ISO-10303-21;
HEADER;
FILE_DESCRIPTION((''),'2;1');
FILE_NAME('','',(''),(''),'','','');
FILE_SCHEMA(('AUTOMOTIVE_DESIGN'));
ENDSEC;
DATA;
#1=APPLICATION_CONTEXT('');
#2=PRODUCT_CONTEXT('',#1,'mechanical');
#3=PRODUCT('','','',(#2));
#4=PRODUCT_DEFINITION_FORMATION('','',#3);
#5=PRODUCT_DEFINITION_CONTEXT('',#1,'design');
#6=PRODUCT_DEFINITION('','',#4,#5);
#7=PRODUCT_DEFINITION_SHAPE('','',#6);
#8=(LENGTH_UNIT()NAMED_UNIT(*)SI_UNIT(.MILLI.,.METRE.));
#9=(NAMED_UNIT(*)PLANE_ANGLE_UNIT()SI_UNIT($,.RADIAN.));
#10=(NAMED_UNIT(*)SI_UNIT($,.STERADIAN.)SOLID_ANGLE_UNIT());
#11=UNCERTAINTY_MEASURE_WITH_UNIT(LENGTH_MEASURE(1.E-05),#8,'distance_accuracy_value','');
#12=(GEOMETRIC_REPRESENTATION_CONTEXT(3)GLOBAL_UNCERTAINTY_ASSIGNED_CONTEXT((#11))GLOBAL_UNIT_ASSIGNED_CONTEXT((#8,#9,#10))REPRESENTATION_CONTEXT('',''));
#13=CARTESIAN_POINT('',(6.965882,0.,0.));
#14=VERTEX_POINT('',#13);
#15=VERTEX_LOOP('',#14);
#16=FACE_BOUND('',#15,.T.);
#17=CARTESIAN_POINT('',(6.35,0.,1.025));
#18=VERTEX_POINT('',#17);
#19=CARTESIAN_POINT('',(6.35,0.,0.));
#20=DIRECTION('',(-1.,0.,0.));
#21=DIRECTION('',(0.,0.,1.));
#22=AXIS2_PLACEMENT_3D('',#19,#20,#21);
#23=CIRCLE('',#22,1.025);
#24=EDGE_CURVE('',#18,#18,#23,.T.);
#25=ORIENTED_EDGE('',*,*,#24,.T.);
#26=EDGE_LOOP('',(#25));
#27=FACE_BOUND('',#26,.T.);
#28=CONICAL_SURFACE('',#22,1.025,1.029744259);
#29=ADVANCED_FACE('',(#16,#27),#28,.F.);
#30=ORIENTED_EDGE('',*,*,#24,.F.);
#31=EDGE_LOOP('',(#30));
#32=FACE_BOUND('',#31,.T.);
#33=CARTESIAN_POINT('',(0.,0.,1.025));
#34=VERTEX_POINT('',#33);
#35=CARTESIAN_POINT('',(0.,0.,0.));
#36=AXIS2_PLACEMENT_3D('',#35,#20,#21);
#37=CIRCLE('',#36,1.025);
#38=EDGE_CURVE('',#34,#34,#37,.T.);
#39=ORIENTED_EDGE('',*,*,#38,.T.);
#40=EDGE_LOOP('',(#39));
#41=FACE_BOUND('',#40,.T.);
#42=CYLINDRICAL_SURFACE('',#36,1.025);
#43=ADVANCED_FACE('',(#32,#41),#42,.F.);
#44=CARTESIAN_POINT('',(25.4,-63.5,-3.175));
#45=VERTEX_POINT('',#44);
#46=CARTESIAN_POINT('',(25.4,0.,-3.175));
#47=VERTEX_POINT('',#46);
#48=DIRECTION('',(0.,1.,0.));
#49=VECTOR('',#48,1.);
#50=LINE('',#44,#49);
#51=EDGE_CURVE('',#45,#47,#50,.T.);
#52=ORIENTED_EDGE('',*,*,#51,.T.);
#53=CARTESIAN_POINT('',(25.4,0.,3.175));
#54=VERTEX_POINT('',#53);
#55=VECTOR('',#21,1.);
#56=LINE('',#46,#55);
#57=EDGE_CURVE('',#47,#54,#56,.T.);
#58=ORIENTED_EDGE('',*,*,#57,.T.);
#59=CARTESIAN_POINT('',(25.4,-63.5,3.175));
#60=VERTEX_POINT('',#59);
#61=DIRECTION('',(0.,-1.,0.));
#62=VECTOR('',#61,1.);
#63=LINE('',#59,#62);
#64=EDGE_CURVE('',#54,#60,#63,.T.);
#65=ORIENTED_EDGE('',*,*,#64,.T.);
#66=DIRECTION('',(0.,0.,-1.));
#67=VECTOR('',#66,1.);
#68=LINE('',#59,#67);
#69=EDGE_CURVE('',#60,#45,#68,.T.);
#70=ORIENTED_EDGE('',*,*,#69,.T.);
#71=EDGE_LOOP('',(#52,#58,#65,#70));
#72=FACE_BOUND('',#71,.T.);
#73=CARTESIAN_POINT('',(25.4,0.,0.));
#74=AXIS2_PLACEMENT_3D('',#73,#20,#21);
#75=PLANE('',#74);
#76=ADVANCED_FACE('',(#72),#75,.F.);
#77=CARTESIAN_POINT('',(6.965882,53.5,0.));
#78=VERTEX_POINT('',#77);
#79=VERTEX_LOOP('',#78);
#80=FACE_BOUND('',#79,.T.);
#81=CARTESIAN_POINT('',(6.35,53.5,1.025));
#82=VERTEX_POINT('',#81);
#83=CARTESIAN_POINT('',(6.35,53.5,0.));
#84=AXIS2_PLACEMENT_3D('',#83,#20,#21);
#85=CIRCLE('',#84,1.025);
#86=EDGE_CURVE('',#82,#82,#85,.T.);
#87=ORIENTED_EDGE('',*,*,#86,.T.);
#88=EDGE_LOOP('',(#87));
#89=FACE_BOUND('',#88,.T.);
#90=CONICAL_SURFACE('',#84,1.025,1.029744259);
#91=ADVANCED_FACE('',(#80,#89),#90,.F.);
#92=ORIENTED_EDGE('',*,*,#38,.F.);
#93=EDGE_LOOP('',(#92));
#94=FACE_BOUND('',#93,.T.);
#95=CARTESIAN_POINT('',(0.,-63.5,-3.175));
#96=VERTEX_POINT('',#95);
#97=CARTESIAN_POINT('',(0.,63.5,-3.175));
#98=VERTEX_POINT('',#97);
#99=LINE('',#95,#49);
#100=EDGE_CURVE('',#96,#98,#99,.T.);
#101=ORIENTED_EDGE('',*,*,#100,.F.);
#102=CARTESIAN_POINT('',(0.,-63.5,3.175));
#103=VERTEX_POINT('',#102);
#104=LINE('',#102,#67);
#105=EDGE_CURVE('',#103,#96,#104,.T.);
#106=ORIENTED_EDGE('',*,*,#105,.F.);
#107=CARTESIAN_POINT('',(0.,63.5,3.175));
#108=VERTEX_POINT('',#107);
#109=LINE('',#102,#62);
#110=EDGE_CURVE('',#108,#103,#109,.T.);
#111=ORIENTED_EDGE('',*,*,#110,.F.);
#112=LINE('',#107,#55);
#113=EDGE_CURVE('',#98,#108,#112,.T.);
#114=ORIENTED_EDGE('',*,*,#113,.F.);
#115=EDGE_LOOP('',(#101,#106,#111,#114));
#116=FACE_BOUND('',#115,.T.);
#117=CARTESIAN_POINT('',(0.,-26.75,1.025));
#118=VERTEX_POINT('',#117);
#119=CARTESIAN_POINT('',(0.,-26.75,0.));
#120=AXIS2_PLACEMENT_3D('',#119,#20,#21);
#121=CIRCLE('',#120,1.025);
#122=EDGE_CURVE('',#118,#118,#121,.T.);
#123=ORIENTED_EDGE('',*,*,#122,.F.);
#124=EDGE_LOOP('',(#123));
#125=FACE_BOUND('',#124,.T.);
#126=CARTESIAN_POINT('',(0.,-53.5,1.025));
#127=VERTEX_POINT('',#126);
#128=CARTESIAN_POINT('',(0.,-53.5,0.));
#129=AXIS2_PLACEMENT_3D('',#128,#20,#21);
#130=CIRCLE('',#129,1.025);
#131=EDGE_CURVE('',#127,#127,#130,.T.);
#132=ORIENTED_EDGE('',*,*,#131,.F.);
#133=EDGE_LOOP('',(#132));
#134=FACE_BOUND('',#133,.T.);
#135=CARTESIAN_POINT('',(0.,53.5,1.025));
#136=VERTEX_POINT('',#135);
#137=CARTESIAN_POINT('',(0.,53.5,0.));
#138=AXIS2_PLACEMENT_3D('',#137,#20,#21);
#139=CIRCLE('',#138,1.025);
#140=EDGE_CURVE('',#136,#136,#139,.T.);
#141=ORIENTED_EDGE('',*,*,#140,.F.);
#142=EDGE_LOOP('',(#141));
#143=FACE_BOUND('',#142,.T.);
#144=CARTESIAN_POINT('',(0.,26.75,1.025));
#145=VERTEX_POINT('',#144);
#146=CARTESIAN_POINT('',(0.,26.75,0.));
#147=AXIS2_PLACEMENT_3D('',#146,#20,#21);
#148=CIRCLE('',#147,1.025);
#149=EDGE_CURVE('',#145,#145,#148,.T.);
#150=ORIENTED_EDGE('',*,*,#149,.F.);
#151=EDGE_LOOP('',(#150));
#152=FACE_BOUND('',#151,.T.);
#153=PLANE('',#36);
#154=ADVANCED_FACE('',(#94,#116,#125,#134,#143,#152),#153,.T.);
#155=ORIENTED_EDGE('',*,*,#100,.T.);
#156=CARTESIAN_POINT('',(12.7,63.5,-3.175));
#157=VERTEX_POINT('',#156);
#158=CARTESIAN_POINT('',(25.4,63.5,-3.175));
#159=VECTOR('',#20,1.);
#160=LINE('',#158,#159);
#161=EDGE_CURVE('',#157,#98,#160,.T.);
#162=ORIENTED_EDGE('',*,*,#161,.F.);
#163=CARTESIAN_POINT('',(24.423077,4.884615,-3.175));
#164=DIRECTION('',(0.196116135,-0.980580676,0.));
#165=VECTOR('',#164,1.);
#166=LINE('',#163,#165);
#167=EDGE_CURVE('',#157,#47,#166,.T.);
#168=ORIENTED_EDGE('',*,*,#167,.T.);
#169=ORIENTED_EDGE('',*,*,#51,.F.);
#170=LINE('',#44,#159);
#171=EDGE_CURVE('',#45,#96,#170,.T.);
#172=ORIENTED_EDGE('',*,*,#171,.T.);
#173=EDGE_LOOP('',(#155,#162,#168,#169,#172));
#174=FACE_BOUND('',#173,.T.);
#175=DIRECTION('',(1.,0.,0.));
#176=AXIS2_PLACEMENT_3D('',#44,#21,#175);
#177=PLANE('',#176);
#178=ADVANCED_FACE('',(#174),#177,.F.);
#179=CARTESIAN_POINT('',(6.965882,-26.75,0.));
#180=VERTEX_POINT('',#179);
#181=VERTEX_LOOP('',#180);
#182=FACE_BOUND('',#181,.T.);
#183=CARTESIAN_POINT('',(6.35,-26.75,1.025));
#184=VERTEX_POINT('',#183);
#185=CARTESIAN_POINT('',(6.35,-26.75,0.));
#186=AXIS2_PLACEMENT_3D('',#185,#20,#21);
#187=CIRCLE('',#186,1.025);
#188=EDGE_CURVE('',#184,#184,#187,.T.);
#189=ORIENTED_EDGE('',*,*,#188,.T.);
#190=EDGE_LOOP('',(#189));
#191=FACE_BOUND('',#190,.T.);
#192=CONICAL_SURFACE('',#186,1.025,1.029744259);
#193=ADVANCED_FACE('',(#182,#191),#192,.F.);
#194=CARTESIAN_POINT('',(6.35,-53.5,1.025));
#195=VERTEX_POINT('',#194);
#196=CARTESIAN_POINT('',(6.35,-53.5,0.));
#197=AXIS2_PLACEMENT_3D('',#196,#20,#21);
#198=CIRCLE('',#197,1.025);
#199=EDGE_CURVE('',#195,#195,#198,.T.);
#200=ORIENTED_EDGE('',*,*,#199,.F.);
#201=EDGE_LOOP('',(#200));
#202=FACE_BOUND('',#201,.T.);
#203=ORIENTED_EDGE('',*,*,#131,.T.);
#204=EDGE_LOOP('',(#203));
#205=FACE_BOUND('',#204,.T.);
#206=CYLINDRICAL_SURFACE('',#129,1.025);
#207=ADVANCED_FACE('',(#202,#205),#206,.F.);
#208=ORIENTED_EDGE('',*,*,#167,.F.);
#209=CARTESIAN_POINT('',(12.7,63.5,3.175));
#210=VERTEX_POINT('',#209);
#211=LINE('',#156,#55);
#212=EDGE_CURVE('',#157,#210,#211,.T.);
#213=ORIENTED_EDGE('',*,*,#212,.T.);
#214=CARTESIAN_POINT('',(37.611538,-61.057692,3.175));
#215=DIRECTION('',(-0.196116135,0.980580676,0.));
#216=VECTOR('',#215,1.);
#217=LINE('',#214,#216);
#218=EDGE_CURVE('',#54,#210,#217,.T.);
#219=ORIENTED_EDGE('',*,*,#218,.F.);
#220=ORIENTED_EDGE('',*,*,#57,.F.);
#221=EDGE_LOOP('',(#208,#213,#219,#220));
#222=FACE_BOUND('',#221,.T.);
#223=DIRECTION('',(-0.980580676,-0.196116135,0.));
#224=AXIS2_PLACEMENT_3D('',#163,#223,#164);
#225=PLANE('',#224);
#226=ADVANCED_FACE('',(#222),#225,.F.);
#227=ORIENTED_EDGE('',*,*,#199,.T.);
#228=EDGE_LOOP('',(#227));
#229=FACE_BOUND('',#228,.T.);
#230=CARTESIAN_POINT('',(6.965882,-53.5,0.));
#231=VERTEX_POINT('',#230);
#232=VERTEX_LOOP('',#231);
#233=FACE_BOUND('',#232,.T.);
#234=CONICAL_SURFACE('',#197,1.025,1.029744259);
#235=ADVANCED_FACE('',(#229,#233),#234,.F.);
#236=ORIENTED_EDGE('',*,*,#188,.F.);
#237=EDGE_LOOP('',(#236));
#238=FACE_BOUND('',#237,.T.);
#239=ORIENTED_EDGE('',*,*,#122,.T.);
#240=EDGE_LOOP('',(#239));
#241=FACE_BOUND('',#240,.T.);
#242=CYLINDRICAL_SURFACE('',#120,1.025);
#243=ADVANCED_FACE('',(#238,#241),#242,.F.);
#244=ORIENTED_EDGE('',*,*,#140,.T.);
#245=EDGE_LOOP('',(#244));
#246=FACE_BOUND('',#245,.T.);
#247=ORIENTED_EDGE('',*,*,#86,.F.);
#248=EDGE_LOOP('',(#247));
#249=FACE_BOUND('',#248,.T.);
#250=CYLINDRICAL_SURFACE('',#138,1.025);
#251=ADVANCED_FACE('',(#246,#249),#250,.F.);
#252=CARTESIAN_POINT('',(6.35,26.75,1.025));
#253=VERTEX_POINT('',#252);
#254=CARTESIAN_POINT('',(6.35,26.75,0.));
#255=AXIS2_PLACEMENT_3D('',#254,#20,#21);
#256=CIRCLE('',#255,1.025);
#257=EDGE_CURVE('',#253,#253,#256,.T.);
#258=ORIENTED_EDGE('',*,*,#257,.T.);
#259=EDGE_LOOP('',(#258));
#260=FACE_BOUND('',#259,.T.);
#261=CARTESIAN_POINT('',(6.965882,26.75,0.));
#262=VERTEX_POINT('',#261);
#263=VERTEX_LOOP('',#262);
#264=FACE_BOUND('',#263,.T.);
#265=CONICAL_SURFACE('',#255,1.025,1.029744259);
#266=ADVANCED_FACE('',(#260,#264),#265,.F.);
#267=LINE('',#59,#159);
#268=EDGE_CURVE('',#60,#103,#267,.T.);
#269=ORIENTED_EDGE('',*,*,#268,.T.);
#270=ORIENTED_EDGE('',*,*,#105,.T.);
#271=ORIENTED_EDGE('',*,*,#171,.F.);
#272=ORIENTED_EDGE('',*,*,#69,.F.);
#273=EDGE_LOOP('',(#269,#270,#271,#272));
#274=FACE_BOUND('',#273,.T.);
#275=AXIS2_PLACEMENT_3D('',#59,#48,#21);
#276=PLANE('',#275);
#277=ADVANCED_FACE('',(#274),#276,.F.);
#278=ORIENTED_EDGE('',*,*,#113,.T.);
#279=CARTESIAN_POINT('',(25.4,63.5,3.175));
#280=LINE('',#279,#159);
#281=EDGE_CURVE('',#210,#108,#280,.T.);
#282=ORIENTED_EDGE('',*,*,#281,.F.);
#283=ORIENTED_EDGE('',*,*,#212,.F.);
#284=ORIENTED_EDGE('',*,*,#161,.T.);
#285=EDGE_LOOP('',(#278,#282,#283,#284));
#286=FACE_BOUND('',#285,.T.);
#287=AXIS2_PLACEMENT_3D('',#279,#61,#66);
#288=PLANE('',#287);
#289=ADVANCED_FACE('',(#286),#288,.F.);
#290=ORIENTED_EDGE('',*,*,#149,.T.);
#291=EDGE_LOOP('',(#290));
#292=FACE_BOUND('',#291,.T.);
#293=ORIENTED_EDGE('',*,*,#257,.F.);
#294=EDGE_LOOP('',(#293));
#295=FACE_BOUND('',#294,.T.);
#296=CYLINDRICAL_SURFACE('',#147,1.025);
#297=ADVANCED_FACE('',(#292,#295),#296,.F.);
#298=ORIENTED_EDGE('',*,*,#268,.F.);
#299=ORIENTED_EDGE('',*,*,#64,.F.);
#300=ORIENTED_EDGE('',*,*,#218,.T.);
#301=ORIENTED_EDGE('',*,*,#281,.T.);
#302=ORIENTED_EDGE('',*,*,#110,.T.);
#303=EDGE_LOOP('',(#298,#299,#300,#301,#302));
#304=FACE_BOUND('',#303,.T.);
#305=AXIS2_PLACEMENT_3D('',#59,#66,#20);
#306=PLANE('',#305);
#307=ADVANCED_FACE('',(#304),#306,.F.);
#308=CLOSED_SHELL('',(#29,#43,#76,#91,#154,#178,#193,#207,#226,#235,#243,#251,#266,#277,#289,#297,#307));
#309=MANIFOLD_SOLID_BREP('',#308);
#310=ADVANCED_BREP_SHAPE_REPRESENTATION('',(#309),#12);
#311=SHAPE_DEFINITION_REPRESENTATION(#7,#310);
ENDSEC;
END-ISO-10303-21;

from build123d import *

# Parameters (mm, degrees)
SKETCH1_W                    = 6.35
SKETCH1_H                    = 127
BOSS_EXTRUDE1_DEPTH          = 25.4
M2_5X0_45_TAPPED_HOLE1_D     = 2.05
M2_5X0_45_TAPPED_HOLE1_DEPTH = 6.35
M2_5X0_45_TAPPED_HOLE1_TIP   = 0.615882135
CUT_EXTRUDE1_DEPTH           = 69.685751798
CUT_EXTRUDE1_DEPTH_BACK      = 69.685751798


with BuildPart() as part:
    # Sketch1 → Boss-Extrude1 (new body)
    with BuildSketch(Plane(origin=(0, 0, 0), x_dir=(0, 0, -1), z_dir=(1, 0, 0))):
        Rectangle(SKETCH1_W, SKETCH1_H)
    extrude(amount=BOSS_EXTRUDE1_DEPTH)

    # M2.5x0.45 Tapped Hole1
    with Locations(Plane.ZY):
        with Locations((0, 53.5), (0, 26.75), (0, 0), (0, -26.75), (0, -53.5)):
            Hole(M2_5X0_45_TAPPED_HOLE1_D / 2, depth=M2_5X0_45_TAPPED_HOLE1_DEPTH)
            with Locations((0, 0, -(M2_5X0_45_TAPPED_HOLE1_DEPTH + M2_5X0_45_TAPPED_HOLE1_TIP / 2))):  # 118° drill point
                Cone(0, M2_5X0_45_TAPPED_HOLE1_D / 2, M2_5X0_45_TAPPED_HOLE1_TIP, mode=Mode.SUBTRACT)

    # Sketch4 → Cut-Extrude1 (cut, two sides: drawn at the far end of the back side and taken through both)
    with BuildSketch(Plane.XY.offset(3.175).offset(-CUT_EXTRUDE1_DEPTH_BACK)):
        Polygon((25.4, 63.5), (12.7, 63.5), (25.4, 0), align=None)
    extrude(amount=CUT_EXTRUDE1_DEPTH + CUT_EXTRUDE1_DEPTH_BACK, mode=Mode.SUBTRACT)


solid = part.part
